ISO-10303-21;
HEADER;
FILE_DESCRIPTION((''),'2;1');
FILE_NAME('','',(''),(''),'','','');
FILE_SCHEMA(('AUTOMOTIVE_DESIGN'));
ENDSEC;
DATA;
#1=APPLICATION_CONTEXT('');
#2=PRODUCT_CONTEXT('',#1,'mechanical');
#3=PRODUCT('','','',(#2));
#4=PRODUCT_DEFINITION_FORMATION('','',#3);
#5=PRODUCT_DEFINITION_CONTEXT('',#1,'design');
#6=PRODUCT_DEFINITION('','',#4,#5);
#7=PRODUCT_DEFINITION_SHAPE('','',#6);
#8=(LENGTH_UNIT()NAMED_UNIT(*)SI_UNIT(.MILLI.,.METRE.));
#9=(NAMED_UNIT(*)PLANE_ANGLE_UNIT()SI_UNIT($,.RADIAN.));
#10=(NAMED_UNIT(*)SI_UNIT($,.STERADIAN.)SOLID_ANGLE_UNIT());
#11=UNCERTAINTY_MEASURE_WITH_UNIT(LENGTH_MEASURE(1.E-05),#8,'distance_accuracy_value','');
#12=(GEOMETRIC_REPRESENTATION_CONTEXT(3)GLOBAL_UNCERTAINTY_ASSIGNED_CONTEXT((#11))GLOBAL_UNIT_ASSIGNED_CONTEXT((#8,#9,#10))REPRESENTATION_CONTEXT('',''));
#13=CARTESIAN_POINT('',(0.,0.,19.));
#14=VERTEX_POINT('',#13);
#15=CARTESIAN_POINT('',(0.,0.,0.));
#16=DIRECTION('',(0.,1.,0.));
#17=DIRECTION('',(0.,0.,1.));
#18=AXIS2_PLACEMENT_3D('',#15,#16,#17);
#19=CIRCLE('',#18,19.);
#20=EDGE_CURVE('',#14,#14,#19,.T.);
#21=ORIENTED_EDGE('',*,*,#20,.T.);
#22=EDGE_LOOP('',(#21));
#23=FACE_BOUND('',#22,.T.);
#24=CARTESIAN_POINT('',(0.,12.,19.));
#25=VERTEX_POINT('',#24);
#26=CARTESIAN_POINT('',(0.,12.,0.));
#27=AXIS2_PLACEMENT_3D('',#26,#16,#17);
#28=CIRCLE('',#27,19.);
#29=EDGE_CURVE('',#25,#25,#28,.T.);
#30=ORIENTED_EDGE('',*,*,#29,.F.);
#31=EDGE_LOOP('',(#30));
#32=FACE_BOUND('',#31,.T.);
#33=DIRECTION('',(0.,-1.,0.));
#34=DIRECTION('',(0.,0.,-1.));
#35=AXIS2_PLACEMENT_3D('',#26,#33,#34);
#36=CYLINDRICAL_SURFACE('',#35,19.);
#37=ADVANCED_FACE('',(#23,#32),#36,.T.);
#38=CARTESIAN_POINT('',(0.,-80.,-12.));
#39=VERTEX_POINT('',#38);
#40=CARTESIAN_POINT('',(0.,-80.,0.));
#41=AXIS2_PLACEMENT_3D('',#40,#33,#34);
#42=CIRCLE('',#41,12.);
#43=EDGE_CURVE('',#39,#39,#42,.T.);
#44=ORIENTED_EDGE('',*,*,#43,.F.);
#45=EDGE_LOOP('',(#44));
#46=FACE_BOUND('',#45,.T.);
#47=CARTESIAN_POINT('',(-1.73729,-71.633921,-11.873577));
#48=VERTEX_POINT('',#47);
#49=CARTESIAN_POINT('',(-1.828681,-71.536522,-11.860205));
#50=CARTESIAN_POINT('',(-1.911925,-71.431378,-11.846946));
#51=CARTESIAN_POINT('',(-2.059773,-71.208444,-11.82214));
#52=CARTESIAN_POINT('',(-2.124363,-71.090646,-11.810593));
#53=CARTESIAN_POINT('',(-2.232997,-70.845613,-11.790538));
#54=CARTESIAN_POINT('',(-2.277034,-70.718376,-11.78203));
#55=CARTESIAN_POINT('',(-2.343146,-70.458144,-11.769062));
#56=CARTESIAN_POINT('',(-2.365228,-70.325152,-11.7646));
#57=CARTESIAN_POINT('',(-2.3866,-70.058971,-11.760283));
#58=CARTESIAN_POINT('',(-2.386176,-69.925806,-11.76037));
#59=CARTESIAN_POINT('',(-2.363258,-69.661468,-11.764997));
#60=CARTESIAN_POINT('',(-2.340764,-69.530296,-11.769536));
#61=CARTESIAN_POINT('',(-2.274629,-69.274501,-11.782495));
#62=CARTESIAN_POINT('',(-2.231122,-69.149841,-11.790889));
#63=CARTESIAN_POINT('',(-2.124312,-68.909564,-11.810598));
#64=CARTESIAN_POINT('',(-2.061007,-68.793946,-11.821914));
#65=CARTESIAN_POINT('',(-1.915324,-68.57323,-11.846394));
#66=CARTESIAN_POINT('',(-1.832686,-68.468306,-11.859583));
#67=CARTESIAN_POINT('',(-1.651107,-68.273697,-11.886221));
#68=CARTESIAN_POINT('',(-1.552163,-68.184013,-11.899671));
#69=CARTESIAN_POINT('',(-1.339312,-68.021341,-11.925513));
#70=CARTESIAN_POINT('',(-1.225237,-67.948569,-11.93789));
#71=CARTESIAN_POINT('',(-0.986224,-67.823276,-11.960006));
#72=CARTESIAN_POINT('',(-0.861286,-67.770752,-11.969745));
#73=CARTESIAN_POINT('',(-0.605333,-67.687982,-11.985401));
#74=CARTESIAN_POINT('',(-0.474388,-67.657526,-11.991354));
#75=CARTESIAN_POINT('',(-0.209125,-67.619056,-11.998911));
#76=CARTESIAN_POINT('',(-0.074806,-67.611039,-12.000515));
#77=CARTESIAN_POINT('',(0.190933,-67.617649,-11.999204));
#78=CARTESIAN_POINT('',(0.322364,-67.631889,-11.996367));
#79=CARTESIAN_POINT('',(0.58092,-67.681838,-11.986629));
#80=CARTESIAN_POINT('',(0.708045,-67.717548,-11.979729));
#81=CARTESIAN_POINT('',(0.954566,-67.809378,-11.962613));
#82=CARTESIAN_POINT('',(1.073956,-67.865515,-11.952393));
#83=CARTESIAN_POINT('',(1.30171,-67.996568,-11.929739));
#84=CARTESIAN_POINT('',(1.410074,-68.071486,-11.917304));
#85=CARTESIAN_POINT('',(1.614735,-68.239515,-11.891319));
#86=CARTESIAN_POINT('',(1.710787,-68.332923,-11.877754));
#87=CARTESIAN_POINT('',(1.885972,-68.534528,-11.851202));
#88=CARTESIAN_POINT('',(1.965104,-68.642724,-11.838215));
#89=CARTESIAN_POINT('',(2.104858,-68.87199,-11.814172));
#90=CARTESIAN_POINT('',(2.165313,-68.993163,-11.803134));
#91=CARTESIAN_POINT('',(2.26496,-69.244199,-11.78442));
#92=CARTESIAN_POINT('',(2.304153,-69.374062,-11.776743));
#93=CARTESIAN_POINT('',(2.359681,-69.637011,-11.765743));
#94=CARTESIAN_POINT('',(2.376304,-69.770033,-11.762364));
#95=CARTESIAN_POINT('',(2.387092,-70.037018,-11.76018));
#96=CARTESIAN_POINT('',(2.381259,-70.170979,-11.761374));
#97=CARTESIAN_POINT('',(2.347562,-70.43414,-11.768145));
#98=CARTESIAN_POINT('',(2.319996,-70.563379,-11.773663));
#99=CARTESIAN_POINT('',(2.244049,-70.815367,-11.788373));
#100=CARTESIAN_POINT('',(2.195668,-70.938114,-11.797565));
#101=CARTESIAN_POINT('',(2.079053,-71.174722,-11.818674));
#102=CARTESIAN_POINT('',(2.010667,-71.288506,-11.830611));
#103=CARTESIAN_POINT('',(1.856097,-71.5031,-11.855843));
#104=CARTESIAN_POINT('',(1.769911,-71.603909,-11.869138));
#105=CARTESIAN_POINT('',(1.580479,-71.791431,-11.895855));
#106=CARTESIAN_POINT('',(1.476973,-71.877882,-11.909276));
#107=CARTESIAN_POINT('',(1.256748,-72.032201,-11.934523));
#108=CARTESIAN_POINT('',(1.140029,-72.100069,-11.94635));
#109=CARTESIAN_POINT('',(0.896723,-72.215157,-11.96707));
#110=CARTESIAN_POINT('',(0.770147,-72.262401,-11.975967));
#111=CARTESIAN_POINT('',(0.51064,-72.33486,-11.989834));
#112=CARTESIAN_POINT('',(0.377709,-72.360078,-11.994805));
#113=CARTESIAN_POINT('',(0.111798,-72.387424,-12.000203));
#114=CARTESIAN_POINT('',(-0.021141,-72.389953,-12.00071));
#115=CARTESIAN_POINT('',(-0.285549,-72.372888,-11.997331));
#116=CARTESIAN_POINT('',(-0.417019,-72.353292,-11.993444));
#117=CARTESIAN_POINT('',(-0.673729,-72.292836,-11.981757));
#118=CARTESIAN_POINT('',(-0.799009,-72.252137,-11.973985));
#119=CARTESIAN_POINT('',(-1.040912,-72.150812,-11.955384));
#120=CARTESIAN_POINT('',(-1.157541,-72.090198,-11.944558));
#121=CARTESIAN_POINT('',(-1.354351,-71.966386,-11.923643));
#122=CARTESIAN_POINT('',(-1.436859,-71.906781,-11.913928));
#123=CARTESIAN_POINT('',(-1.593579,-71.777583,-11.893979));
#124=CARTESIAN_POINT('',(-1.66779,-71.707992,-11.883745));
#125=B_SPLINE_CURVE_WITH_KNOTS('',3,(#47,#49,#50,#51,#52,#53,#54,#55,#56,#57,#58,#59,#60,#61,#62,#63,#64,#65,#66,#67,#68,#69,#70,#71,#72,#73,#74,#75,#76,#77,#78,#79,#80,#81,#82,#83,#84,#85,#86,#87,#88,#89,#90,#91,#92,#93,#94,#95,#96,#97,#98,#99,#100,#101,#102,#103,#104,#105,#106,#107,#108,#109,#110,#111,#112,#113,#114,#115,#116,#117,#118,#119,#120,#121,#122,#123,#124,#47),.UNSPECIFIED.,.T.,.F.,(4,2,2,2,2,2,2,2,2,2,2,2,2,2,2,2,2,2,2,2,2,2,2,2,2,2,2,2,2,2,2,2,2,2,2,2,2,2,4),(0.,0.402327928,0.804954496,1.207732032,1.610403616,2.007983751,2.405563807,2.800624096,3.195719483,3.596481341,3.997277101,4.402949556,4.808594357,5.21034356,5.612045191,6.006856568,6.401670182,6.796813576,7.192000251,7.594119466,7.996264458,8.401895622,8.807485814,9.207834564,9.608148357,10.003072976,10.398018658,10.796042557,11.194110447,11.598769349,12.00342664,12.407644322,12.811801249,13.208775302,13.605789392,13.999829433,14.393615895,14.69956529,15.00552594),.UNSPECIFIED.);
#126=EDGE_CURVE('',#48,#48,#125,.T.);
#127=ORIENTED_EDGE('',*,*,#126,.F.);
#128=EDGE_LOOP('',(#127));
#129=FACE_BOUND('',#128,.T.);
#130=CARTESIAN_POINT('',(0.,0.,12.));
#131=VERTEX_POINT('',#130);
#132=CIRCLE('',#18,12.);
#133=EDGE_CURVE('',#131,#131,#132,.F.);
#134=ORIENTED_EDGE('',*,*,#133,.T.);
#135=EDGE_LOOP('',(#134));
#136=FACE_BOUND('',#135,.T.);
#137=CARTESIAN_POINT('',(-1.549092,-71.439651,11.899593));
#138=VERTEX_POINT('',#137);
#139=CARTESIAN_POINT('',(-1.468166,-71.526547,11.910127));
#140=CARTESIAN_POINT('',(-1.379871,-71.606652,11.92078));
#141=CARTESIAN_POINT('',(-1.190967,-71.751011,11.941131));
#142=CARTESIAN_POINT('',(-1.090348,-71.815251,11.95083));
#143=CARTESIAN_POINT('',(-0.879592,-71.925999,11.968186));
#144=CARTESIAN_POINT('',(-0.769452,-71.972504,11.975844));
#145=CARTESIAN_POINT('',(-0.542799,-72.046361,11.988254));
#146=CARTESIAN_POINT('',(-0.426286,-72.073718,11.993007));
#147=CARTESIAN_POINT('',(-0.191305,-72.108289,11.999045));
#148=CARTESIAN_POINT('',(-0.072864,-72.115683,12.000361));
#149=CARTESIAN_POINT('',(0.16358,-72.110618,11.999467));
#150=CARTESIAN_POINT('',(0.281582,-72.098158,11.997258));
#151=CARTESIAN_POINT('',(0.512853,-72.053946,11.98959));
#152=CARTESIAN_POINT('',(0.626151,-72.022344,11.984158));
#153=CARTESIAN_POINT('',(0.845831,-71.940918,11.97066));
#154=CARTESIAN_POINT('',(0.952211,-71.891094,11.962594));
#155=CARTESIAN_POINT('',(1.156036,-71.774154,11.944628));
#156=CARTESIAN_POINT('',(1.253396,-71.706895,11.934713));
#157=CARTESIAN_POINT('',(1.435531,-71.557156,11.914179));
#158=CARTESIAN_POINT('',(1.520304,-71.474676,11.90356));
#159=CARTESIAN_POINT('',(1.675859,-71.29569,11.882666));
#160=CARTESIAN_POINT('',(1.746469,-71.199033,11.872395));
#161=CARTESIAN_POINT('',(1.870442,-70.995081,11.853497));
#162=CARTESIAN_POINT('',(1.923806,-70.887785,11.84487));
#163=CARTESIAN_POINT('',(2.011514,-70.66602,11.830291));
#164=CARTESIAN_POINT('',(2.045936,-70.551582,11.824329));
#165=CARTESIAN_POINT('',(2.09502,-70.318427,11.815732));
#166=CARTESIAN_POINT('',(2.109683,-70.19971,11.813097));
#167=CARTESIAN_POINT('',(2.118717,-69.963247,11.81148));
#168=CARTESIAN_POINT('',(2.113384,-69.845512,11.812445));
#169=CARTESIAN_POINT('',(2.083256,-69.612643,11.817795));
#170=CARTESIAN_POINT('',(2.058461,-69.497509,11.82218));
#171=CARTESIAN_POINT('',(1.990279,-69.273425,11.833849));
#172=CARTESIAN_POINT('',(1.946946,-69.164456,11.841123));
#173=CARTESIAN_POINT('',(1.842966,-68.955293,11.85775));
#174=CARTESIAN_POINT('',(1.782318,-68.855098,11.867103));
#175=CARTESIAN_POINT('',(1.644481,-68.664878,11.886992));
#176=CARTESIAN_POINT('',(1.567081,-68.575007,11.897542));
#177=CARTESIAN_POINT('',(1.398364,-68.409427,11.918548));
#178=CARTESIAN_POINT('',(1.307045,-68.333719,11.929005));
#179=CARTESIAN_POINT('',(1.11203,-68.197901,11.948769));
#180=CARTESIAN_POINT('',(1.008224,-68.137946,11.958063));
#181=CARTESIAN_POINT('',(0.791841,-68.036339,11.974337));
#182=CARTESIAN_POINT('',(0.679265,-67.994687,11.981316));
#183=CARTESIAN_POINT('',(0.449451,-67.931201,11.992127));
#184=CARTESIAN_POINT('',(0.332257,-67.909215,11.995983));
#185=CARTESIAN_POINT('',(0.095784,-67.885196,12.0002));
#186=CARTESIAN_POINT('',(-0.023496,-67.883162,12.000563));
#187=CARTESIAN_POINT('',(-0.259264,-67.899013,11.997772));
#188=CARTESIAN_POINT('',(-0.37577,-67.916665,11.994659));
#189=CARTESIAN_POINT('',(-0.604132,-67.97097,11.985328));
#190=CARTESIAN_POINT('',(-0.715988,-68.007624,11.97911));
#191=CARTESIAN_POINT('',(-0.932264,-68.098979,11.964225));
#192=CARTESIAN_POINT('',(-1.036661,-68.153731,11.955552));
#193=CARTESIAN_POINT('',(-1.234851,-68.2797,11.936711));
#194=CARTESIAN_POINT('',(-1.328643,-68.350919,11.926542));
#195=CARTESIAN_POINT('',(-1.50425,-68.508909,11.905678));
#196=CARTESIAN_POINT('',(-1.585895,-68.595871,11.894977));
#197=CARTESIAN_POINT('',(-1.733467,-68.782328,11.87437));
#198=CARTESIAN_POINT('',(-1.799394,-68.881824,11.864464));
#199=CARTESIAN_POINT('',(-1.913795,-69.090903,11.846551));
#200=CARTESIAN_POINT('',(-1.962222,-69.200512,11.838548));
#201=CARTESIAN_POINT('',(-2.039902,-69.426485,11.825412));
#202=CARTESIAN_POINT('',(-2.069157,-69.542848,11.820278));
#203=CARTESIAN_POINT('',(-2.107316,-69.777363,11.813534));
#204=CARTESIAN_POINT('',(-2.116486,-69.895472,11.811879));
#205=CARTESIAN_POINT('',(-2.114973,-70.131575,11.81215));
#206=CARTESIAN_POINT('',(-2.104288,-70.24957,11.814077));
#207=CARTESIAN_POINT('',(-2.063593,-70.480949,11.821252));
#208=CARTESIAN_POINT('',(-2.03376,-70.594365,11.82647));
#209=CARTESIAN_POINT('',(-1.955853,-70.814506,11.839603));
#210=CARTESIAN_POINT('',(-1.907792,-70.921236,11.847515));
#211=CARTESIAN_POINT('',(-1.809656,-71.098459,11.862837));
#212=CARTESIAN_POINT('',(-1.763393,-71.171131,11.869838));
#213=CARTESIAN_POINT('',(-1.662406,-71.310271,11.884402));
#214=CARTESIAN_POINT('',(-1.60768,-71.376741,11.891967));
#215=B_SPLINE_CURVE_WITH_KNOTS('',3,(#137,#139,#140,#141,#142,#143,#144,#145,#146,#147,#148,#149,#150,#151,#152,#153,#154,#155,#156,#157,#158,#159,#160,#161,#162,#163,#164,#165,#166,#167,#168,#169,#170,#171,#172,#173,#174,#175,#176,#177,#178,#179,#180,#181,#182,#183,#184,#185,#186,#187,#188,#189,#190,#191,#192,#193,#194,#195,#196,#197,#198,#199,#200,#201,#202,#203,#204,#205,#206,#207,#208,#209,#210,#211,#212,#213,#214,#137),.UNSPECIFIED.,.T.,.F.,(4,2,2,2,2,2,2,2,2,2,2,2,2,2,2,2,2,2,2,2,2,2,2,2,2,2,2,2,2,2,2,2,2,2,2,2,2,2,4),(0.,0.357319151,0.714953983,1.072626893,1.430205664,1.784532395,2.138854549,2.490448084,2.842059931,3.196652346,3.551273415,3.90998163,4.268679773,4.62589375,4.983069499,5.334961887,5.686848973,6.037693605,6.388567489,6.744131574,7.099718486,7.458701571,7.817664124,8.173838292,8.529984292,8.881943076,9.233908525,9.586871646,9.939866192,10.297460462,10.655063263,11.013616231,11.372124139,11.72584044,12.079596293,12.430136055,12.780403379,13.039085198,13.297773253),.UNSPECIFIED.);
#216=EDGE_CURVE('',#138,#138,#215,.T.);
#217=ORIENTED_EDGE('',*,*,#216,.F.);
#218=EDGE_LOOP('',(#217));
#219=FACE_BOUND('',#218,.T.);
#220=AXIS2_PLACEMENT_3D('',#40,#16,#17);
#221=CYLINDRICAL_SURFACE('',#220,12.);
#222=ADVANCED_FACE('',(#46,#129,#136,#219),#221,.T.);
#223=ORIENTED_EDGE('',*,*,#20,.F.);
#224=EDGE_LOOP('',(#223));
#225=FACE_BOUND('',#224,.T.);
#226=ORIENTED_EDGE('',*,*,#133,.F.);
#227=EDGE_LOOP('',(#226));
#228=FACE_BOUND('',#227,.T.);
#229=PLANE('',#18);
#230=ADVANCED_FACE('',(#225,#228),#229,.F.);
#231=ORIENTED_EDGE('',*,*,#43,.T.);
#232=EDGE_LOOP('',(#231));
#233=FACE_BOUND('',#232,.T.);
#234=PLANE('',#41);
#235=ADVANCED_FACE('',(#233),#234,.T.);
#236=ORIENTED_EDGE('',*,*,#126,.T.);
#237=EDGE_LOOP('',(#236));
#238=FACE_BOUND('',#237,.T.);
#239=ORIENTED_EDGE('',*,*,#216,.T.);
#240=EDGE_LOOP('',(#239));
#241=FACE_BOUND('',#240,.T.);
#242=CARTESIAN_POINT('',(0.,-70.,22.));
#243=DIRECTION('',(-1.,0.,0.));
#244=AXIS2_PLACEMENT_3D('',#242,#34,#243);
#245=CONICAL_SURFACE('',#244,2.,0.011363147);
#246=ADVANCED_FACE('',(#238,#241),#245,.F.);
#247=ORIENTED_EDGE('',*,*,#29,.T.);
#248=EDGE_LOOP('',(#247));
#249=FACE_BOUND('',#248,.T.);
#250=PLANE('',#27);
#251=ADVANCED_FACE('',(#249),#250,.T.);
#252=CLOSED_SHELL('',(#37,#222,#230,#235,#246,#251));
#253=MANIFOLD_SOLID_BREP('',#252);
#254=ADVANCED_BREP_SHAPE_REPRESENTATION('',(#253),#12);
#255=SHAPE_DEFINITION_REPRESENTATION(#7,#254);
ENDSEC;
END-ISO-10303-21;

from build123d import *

# Parameters (mm, degrees)
SKETCH1_R           = 19
BOSS_EXTRUDE1_DEPTH = 12
SKETCH2_R           = 12
BOSS_EXTRUDE2_DEPTH = 80


with BuildPart() as part:
    # Sketch1 → Boss-Extrude1 (new body)
    with BuildSketch(Plane(origin=(0, 0, 0), x_dir=(1, 0, 0), z_dir=(0, 1, 0))):
        Circle(SKETCH1_R)
    extrude(amount=BOSS_EXTRUDE1_DEPTH)

    # Sketch2 → Boss-Extrude2 (add)
    with BuildSketch(Plane.XZ):
        Circle(SKETCH2_R)
    extrude(amount=BOSS_EXTRUDE2_DEPTH)

    # Sketch3 → Cut-Revolve1 (revolve, cut)
    with BuildSketch(Plane(origin=(0, -70, 0), x_dir=(-1, 0, 0), z_dir=(0, -1, 0))):
        Polygon((0, 22), (0, -22), (2, -22), (2.5, 22), align=None)
    revolve(axis=Axis((0, -70, -23.746840194), (0, 0, 1)), mode=Mode.SUBTRACT)


solid = part.part
